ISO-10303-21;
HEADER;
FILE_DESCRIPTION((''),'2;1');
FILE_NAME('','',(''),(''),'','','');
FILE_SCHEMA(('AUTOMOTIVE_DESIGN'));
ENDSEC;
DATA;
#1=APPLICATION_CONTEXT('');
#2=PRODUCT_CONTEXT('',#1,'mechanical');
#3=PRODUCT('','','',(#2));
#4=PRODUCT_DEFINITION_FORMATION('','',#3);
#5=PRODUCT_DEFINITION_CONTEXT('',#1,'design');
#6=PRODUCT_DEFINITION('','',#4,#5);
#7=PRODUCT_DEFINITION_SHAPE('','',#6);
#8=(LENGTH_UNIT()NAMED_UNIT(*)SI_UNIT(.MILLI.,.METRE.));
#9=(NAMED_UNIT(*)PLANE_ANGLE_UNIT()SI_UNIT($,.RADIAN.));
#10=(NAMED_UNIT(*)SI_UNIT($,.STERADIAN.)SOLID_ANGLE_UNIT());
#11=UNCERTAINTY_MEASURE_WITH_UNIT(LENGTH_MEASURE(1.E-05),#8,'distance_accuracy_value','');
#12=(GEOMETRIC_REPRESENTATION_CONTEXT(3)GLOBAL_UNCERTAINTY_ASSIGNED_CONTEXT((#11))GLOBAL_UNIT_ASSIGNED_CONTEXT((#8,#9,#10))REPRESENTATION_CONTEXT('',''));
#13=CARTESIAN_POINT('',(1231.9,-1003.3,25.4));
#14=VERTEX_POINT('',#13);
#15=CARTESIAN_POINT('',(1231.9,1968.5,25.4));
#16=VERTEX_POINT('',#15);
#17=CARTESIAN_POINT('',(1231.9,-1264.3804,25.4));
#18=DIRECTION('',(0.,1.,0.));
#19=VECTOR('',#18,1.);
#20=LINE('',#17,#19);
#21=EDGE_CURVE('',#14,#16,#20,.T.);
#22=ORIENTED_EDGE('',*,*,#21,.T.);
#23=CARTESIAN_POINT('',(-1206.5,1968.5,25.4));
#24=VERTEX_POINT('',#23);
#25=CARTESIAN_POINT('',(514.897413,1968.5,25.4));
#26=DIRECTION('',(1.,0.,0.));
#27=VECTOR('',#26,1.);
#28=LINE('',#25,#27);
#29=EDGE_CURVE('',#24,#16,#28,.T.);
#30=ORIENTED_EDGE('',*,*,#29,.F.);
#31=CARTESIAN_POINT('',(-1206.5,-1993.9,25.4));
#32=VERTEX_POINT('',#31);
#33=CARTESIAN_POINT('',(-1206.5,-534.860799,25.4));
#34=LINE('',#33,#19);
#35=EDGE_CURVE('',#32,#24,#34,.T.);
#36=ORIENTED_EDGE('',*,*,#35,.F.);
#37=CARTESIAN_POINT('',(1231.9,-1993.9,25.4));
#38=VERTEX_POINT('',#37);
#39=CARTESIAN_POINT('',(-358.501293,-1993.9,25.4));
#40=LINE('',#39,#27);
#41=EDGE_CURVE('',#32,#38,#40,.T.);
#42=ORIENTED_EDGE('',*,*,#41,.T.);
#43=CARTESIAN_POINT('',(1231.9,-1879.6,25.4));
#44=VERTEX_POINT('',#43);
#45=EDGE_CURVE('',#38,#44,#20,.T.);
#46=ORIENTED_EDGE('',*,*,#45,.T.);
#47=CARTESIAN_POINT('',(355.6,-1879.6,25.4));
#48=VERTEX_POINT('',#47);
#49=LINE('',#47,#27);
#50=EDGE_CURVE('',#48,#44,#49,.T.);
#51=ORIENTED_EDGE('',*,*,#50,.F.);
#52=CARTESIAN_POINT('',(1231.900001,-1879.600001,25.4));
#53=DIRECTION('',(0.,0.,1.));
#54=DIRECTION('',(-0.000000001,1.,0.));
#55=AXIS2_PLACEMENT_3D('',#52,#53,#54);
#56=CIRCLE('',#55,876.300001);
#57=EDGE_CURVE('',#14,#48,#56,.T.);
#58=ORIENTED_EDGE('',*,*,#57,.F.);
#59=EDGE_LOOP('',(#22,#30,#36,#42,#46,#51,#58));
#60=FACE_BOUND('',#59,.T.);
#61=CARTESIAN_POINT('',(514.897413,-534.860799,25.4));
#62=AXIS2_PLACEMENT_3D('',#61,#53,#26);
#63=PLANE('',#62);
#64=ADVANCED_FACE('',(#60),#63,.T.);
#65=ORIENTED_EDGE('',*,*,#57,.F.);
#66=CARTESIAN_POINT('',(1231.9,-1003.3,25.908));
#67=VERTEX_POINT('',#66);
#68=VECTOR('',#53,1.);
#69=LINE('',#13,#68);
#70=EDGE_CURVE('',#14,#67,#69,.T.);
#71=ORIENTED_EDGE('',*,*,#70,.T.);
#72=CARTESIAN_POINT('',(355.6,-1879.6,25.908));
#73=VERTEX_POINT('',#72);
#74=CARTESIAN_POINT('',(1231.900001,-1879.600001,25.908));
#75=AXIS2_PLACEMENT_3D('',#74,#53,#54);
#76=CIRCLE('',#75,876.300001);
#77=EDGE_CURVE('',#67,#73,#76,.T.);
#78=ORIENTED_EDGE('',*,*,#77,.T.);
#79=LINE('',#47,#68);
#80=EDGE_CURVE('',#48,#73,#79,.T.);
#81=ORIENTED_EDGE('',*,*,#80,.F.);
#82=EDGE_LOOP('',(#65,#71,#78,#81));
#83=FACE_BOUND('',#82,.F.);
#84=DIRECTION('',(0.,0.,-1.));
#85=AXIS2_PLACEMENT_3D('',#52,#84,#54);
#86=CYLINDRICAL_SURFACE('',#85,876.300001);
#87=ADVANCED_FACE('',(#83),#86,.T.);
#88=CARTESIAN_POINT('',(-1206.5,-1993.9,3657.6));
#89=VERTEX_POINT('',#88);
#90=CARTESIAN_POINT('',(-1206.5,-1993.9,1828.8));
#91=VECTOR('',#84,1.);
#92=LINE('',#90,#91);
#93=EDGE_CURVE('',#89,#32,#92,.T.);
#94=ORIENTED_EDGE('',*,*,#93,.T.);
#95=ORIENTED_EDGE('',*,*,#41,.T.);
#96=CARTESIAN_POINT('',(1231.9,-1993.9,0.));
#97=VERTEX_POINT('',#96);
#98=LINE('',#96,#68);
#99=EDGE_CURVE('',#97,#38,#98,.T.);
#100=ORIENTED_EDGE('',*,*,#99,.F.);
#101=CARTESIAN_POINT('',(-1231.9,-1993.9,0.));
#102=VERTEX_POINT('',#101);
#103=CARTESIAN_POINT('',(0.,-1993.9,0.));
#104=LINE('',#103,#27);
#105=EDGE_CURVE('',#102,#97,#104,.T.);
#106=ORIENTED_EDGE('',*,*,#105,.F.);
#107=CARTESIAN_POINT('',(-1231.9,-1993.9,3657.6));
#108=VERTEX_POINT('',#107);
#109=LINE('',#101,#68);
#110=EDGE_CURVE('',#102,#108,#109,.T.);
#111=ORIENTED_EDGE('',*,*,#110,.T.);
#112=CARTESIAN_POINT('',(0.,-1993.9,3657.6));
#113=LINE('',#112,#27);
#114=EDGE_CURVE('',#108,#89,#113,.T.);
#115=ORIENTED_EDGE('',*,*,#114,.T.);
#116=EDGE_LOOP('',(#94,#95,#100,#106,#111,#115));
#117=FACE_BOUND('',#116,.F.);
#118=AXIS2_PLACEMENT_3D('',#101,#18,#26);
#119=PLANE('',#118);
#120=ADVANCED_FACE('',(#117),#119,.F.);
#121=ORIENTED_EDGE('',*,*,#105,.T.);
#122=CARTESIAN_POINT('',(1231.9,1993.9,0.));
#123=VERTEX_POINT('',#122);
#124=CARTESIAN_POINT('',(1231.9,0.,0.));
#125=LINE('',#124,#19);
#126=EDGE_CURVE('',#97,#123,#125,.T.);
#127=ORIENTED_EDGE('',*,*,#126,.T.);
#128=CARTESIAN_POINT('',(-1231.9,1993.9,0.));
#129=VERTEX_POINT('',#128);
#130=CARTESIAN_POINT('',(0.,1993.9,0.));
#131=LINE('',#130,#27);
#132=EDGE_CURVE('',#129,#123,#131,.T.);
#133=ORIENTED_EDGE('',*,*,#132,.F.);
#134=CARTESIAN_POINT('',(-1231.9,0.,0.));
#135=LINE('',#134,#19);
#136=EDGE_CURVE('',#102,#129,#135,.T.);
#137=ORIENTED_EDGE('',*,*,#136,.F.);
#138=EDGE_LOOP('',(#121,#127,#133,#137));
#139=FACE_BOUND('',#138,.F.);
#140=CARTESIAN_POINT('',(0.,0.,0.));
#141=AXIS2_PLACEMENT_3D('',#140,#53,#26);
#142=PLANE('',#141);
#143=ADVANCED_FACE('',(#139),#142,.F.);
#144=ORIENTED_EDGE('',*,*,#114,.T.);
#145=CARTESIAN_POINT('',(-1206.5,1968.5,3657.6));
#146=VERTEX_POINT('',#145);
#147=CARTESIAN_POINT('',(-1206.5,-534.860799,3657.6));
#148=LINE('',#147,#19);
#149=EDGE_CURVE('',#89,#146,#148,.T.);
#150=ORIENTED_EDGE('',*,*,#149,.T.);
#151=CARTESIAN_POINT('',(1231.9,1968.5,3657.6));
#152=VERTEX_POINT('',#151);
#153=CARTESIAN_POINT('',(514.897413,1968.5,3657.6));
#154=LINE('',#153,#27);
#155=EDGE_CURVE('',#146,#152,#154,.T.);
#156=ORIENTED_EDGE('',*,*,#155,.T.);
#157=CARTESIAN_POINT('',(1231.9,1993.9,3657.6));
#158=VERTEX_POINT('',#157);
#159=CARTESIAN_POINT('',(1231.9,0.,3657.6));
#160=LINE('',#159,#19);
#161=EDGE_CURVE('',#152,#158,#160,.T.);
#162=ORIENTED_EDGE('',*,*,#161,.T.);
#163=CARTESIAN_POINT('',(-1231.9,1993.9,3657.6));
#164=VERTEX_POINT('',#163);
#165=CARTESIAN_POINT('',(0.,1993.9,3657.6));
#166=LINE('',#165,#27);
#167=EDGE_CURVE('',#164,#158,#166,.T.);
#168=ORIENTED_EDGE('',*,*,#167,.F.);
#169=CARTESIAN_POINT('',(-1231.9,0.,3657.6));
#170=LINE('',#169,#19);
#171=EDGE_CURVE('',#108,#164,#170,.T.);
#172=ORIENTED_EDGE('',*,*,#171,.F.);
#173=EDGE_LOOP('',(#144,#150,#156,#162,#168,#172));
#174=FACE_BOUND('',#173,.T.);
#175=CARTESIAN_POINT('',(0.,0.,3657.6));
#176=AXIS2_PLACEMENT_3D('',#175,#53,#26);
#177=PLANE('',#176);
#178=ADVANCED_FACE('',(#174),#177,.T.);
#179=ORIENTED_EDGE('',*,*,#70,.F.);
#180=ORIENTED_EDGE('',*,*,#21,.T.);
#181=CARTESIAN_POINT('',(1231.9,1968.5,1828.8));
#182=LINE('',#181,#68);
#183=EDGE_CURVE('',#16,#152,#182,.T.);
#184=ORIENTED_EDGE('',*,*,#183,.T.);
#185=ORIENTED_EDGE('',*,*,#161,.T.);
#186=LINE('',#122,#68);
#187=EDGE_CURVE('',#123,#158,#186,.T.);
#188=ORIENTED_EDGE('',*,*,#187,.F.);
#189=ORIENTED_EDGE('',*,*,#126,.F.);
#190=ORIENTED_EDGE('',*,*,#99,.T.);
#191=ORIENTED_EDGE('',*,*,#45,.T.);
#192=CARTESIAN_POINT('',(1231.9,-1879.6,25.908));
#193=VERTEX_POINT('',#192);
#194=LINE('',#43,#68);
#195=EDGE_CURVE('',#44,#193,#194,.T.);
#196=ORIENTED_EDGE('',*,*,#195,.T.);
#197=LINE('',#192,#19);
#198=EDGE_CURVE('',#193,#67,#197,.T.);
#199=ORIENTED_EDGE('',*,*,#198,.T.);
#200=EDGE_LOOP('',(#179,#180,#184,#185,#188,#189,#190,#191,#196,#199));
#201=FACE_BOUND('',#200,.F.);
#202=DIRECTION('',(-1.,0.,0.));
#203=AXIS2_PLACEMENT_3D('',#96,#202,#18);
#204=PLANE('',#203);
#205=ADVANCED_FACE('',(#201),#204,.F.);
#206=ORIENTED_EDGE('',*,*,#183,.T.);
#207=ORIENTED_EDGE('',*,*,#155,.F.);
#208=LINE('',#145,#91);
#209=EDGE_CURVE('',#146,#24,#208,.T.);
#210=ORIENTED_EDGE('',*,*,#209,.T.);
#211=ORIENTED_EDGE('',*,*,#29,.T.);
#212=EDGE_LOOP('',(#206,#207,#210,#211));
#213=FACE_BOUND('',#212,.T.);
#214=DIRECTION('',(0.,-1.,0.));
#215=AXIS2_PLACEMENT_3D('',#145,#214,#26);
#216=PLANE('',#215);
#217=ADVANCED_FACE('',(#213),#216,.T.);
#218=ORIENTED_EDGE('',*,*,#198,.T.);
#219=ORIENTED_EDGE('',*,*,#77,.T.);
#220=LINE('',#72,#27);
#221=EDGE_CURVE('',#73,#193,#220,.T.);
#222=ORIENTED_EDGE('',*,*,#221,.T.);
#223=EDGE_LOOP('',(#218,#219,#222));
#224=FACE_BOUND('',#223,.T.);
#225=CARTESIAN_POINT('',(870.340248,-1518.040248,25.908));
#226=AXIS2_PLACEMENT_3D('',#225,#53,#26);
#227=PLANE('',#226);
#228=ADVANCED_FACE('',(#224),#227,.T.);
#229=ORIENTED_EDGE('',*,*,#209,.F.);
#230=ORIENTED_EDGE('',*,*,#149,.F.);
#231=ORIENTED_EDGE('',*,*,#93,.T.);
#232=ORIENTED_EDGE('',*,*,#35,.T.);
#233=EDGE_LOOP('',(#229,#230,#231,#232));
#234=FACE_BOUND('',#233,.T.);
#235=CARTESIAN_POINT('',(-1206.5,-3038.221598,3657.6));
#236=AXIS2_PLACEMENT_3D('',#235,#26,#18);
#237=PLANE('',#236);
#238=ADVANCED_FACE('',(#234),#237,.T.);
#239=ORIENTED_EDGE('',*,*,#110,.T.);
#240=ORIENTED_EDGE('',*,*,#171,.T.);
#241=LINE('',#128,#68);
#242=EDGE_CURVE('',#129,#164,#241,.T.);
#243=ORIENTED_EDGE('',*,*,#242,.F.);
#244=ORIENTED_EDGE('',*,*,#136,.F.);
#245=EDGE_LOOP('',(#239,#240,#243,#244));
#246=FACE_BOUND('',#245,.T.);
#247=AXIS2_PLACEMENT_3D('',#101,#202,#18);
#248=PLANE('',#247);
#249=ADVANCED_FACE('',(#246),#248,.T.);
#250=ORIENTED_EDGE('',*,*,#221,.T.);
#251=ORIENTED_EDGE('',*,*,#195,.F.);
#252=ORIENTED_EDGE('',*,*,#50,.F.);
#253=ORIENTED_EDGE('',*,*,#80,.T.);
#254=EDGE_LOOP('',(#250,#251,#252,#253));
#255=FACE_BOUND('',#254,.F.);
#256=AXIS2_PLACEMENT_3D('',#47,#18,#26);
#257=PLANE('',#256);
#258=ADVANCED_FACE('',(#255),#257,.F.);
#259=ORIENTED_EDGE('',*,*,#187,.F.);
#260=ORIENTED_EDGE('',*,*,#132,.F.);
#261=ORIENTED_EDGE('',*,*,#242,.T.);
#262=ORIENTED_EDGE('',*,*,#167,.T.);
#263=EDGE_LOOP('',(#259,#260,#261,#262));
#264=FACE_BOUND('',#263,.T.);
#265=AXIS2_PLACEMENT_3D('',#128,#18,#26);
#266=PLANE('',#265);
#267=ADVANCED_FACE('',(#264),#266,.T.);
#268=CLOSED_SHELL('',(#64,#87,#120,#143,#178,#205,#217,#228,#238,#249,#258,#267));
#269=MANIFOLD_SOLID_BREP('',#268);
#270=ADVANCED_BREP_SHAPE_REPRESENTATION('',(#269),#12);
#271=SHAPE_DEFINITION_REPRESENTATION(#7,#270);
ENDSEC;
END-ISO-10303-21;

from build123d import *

# Parameters (mm, degrees)
F0_W     = 2463.8
F0_H     = 3987.8
F1_DEPTH = 3657.6
F2_W     = 3442.794827
F2_H     = 5006.721598
F3_DEPTH = 3632.2
F5_DEPTH = 0.508


with BuildPart() as f1:
    # F0 (on Top) → F1 (new body)
    with BuildSketch(Plane.XY):
        Rectangle(F0_W, F0_H)
    extrude(amount=F1_DEPTH)

    # F2 (on face) → F3 (cut)
    with BuildSketch(Plane.XY.offset(3657.6)):
        with Locations((514.897413, -534.860799)):
            Rectangle(F2_W, F2_H)
    extrude(amount=-F3_DEPTH, mode=Mode.SUBTRACT)

    # F4 (on face) → F5 (join)
    with BuildSketch(Plane.XY.offset(25.4)):
        with BuildLine():
            ThreePointArc((1231.9, -1003.3), (612.262328, -1259.962328), (355.6, -1879.6))
            Line((355.6, -1879.6), (1231.9, -1879.6))
            Line((1231.9, -1879.6), (1231.9, -1003.3))
        make_face()
    extrude(amount=F5_DEPTH)


solid = f1.part
